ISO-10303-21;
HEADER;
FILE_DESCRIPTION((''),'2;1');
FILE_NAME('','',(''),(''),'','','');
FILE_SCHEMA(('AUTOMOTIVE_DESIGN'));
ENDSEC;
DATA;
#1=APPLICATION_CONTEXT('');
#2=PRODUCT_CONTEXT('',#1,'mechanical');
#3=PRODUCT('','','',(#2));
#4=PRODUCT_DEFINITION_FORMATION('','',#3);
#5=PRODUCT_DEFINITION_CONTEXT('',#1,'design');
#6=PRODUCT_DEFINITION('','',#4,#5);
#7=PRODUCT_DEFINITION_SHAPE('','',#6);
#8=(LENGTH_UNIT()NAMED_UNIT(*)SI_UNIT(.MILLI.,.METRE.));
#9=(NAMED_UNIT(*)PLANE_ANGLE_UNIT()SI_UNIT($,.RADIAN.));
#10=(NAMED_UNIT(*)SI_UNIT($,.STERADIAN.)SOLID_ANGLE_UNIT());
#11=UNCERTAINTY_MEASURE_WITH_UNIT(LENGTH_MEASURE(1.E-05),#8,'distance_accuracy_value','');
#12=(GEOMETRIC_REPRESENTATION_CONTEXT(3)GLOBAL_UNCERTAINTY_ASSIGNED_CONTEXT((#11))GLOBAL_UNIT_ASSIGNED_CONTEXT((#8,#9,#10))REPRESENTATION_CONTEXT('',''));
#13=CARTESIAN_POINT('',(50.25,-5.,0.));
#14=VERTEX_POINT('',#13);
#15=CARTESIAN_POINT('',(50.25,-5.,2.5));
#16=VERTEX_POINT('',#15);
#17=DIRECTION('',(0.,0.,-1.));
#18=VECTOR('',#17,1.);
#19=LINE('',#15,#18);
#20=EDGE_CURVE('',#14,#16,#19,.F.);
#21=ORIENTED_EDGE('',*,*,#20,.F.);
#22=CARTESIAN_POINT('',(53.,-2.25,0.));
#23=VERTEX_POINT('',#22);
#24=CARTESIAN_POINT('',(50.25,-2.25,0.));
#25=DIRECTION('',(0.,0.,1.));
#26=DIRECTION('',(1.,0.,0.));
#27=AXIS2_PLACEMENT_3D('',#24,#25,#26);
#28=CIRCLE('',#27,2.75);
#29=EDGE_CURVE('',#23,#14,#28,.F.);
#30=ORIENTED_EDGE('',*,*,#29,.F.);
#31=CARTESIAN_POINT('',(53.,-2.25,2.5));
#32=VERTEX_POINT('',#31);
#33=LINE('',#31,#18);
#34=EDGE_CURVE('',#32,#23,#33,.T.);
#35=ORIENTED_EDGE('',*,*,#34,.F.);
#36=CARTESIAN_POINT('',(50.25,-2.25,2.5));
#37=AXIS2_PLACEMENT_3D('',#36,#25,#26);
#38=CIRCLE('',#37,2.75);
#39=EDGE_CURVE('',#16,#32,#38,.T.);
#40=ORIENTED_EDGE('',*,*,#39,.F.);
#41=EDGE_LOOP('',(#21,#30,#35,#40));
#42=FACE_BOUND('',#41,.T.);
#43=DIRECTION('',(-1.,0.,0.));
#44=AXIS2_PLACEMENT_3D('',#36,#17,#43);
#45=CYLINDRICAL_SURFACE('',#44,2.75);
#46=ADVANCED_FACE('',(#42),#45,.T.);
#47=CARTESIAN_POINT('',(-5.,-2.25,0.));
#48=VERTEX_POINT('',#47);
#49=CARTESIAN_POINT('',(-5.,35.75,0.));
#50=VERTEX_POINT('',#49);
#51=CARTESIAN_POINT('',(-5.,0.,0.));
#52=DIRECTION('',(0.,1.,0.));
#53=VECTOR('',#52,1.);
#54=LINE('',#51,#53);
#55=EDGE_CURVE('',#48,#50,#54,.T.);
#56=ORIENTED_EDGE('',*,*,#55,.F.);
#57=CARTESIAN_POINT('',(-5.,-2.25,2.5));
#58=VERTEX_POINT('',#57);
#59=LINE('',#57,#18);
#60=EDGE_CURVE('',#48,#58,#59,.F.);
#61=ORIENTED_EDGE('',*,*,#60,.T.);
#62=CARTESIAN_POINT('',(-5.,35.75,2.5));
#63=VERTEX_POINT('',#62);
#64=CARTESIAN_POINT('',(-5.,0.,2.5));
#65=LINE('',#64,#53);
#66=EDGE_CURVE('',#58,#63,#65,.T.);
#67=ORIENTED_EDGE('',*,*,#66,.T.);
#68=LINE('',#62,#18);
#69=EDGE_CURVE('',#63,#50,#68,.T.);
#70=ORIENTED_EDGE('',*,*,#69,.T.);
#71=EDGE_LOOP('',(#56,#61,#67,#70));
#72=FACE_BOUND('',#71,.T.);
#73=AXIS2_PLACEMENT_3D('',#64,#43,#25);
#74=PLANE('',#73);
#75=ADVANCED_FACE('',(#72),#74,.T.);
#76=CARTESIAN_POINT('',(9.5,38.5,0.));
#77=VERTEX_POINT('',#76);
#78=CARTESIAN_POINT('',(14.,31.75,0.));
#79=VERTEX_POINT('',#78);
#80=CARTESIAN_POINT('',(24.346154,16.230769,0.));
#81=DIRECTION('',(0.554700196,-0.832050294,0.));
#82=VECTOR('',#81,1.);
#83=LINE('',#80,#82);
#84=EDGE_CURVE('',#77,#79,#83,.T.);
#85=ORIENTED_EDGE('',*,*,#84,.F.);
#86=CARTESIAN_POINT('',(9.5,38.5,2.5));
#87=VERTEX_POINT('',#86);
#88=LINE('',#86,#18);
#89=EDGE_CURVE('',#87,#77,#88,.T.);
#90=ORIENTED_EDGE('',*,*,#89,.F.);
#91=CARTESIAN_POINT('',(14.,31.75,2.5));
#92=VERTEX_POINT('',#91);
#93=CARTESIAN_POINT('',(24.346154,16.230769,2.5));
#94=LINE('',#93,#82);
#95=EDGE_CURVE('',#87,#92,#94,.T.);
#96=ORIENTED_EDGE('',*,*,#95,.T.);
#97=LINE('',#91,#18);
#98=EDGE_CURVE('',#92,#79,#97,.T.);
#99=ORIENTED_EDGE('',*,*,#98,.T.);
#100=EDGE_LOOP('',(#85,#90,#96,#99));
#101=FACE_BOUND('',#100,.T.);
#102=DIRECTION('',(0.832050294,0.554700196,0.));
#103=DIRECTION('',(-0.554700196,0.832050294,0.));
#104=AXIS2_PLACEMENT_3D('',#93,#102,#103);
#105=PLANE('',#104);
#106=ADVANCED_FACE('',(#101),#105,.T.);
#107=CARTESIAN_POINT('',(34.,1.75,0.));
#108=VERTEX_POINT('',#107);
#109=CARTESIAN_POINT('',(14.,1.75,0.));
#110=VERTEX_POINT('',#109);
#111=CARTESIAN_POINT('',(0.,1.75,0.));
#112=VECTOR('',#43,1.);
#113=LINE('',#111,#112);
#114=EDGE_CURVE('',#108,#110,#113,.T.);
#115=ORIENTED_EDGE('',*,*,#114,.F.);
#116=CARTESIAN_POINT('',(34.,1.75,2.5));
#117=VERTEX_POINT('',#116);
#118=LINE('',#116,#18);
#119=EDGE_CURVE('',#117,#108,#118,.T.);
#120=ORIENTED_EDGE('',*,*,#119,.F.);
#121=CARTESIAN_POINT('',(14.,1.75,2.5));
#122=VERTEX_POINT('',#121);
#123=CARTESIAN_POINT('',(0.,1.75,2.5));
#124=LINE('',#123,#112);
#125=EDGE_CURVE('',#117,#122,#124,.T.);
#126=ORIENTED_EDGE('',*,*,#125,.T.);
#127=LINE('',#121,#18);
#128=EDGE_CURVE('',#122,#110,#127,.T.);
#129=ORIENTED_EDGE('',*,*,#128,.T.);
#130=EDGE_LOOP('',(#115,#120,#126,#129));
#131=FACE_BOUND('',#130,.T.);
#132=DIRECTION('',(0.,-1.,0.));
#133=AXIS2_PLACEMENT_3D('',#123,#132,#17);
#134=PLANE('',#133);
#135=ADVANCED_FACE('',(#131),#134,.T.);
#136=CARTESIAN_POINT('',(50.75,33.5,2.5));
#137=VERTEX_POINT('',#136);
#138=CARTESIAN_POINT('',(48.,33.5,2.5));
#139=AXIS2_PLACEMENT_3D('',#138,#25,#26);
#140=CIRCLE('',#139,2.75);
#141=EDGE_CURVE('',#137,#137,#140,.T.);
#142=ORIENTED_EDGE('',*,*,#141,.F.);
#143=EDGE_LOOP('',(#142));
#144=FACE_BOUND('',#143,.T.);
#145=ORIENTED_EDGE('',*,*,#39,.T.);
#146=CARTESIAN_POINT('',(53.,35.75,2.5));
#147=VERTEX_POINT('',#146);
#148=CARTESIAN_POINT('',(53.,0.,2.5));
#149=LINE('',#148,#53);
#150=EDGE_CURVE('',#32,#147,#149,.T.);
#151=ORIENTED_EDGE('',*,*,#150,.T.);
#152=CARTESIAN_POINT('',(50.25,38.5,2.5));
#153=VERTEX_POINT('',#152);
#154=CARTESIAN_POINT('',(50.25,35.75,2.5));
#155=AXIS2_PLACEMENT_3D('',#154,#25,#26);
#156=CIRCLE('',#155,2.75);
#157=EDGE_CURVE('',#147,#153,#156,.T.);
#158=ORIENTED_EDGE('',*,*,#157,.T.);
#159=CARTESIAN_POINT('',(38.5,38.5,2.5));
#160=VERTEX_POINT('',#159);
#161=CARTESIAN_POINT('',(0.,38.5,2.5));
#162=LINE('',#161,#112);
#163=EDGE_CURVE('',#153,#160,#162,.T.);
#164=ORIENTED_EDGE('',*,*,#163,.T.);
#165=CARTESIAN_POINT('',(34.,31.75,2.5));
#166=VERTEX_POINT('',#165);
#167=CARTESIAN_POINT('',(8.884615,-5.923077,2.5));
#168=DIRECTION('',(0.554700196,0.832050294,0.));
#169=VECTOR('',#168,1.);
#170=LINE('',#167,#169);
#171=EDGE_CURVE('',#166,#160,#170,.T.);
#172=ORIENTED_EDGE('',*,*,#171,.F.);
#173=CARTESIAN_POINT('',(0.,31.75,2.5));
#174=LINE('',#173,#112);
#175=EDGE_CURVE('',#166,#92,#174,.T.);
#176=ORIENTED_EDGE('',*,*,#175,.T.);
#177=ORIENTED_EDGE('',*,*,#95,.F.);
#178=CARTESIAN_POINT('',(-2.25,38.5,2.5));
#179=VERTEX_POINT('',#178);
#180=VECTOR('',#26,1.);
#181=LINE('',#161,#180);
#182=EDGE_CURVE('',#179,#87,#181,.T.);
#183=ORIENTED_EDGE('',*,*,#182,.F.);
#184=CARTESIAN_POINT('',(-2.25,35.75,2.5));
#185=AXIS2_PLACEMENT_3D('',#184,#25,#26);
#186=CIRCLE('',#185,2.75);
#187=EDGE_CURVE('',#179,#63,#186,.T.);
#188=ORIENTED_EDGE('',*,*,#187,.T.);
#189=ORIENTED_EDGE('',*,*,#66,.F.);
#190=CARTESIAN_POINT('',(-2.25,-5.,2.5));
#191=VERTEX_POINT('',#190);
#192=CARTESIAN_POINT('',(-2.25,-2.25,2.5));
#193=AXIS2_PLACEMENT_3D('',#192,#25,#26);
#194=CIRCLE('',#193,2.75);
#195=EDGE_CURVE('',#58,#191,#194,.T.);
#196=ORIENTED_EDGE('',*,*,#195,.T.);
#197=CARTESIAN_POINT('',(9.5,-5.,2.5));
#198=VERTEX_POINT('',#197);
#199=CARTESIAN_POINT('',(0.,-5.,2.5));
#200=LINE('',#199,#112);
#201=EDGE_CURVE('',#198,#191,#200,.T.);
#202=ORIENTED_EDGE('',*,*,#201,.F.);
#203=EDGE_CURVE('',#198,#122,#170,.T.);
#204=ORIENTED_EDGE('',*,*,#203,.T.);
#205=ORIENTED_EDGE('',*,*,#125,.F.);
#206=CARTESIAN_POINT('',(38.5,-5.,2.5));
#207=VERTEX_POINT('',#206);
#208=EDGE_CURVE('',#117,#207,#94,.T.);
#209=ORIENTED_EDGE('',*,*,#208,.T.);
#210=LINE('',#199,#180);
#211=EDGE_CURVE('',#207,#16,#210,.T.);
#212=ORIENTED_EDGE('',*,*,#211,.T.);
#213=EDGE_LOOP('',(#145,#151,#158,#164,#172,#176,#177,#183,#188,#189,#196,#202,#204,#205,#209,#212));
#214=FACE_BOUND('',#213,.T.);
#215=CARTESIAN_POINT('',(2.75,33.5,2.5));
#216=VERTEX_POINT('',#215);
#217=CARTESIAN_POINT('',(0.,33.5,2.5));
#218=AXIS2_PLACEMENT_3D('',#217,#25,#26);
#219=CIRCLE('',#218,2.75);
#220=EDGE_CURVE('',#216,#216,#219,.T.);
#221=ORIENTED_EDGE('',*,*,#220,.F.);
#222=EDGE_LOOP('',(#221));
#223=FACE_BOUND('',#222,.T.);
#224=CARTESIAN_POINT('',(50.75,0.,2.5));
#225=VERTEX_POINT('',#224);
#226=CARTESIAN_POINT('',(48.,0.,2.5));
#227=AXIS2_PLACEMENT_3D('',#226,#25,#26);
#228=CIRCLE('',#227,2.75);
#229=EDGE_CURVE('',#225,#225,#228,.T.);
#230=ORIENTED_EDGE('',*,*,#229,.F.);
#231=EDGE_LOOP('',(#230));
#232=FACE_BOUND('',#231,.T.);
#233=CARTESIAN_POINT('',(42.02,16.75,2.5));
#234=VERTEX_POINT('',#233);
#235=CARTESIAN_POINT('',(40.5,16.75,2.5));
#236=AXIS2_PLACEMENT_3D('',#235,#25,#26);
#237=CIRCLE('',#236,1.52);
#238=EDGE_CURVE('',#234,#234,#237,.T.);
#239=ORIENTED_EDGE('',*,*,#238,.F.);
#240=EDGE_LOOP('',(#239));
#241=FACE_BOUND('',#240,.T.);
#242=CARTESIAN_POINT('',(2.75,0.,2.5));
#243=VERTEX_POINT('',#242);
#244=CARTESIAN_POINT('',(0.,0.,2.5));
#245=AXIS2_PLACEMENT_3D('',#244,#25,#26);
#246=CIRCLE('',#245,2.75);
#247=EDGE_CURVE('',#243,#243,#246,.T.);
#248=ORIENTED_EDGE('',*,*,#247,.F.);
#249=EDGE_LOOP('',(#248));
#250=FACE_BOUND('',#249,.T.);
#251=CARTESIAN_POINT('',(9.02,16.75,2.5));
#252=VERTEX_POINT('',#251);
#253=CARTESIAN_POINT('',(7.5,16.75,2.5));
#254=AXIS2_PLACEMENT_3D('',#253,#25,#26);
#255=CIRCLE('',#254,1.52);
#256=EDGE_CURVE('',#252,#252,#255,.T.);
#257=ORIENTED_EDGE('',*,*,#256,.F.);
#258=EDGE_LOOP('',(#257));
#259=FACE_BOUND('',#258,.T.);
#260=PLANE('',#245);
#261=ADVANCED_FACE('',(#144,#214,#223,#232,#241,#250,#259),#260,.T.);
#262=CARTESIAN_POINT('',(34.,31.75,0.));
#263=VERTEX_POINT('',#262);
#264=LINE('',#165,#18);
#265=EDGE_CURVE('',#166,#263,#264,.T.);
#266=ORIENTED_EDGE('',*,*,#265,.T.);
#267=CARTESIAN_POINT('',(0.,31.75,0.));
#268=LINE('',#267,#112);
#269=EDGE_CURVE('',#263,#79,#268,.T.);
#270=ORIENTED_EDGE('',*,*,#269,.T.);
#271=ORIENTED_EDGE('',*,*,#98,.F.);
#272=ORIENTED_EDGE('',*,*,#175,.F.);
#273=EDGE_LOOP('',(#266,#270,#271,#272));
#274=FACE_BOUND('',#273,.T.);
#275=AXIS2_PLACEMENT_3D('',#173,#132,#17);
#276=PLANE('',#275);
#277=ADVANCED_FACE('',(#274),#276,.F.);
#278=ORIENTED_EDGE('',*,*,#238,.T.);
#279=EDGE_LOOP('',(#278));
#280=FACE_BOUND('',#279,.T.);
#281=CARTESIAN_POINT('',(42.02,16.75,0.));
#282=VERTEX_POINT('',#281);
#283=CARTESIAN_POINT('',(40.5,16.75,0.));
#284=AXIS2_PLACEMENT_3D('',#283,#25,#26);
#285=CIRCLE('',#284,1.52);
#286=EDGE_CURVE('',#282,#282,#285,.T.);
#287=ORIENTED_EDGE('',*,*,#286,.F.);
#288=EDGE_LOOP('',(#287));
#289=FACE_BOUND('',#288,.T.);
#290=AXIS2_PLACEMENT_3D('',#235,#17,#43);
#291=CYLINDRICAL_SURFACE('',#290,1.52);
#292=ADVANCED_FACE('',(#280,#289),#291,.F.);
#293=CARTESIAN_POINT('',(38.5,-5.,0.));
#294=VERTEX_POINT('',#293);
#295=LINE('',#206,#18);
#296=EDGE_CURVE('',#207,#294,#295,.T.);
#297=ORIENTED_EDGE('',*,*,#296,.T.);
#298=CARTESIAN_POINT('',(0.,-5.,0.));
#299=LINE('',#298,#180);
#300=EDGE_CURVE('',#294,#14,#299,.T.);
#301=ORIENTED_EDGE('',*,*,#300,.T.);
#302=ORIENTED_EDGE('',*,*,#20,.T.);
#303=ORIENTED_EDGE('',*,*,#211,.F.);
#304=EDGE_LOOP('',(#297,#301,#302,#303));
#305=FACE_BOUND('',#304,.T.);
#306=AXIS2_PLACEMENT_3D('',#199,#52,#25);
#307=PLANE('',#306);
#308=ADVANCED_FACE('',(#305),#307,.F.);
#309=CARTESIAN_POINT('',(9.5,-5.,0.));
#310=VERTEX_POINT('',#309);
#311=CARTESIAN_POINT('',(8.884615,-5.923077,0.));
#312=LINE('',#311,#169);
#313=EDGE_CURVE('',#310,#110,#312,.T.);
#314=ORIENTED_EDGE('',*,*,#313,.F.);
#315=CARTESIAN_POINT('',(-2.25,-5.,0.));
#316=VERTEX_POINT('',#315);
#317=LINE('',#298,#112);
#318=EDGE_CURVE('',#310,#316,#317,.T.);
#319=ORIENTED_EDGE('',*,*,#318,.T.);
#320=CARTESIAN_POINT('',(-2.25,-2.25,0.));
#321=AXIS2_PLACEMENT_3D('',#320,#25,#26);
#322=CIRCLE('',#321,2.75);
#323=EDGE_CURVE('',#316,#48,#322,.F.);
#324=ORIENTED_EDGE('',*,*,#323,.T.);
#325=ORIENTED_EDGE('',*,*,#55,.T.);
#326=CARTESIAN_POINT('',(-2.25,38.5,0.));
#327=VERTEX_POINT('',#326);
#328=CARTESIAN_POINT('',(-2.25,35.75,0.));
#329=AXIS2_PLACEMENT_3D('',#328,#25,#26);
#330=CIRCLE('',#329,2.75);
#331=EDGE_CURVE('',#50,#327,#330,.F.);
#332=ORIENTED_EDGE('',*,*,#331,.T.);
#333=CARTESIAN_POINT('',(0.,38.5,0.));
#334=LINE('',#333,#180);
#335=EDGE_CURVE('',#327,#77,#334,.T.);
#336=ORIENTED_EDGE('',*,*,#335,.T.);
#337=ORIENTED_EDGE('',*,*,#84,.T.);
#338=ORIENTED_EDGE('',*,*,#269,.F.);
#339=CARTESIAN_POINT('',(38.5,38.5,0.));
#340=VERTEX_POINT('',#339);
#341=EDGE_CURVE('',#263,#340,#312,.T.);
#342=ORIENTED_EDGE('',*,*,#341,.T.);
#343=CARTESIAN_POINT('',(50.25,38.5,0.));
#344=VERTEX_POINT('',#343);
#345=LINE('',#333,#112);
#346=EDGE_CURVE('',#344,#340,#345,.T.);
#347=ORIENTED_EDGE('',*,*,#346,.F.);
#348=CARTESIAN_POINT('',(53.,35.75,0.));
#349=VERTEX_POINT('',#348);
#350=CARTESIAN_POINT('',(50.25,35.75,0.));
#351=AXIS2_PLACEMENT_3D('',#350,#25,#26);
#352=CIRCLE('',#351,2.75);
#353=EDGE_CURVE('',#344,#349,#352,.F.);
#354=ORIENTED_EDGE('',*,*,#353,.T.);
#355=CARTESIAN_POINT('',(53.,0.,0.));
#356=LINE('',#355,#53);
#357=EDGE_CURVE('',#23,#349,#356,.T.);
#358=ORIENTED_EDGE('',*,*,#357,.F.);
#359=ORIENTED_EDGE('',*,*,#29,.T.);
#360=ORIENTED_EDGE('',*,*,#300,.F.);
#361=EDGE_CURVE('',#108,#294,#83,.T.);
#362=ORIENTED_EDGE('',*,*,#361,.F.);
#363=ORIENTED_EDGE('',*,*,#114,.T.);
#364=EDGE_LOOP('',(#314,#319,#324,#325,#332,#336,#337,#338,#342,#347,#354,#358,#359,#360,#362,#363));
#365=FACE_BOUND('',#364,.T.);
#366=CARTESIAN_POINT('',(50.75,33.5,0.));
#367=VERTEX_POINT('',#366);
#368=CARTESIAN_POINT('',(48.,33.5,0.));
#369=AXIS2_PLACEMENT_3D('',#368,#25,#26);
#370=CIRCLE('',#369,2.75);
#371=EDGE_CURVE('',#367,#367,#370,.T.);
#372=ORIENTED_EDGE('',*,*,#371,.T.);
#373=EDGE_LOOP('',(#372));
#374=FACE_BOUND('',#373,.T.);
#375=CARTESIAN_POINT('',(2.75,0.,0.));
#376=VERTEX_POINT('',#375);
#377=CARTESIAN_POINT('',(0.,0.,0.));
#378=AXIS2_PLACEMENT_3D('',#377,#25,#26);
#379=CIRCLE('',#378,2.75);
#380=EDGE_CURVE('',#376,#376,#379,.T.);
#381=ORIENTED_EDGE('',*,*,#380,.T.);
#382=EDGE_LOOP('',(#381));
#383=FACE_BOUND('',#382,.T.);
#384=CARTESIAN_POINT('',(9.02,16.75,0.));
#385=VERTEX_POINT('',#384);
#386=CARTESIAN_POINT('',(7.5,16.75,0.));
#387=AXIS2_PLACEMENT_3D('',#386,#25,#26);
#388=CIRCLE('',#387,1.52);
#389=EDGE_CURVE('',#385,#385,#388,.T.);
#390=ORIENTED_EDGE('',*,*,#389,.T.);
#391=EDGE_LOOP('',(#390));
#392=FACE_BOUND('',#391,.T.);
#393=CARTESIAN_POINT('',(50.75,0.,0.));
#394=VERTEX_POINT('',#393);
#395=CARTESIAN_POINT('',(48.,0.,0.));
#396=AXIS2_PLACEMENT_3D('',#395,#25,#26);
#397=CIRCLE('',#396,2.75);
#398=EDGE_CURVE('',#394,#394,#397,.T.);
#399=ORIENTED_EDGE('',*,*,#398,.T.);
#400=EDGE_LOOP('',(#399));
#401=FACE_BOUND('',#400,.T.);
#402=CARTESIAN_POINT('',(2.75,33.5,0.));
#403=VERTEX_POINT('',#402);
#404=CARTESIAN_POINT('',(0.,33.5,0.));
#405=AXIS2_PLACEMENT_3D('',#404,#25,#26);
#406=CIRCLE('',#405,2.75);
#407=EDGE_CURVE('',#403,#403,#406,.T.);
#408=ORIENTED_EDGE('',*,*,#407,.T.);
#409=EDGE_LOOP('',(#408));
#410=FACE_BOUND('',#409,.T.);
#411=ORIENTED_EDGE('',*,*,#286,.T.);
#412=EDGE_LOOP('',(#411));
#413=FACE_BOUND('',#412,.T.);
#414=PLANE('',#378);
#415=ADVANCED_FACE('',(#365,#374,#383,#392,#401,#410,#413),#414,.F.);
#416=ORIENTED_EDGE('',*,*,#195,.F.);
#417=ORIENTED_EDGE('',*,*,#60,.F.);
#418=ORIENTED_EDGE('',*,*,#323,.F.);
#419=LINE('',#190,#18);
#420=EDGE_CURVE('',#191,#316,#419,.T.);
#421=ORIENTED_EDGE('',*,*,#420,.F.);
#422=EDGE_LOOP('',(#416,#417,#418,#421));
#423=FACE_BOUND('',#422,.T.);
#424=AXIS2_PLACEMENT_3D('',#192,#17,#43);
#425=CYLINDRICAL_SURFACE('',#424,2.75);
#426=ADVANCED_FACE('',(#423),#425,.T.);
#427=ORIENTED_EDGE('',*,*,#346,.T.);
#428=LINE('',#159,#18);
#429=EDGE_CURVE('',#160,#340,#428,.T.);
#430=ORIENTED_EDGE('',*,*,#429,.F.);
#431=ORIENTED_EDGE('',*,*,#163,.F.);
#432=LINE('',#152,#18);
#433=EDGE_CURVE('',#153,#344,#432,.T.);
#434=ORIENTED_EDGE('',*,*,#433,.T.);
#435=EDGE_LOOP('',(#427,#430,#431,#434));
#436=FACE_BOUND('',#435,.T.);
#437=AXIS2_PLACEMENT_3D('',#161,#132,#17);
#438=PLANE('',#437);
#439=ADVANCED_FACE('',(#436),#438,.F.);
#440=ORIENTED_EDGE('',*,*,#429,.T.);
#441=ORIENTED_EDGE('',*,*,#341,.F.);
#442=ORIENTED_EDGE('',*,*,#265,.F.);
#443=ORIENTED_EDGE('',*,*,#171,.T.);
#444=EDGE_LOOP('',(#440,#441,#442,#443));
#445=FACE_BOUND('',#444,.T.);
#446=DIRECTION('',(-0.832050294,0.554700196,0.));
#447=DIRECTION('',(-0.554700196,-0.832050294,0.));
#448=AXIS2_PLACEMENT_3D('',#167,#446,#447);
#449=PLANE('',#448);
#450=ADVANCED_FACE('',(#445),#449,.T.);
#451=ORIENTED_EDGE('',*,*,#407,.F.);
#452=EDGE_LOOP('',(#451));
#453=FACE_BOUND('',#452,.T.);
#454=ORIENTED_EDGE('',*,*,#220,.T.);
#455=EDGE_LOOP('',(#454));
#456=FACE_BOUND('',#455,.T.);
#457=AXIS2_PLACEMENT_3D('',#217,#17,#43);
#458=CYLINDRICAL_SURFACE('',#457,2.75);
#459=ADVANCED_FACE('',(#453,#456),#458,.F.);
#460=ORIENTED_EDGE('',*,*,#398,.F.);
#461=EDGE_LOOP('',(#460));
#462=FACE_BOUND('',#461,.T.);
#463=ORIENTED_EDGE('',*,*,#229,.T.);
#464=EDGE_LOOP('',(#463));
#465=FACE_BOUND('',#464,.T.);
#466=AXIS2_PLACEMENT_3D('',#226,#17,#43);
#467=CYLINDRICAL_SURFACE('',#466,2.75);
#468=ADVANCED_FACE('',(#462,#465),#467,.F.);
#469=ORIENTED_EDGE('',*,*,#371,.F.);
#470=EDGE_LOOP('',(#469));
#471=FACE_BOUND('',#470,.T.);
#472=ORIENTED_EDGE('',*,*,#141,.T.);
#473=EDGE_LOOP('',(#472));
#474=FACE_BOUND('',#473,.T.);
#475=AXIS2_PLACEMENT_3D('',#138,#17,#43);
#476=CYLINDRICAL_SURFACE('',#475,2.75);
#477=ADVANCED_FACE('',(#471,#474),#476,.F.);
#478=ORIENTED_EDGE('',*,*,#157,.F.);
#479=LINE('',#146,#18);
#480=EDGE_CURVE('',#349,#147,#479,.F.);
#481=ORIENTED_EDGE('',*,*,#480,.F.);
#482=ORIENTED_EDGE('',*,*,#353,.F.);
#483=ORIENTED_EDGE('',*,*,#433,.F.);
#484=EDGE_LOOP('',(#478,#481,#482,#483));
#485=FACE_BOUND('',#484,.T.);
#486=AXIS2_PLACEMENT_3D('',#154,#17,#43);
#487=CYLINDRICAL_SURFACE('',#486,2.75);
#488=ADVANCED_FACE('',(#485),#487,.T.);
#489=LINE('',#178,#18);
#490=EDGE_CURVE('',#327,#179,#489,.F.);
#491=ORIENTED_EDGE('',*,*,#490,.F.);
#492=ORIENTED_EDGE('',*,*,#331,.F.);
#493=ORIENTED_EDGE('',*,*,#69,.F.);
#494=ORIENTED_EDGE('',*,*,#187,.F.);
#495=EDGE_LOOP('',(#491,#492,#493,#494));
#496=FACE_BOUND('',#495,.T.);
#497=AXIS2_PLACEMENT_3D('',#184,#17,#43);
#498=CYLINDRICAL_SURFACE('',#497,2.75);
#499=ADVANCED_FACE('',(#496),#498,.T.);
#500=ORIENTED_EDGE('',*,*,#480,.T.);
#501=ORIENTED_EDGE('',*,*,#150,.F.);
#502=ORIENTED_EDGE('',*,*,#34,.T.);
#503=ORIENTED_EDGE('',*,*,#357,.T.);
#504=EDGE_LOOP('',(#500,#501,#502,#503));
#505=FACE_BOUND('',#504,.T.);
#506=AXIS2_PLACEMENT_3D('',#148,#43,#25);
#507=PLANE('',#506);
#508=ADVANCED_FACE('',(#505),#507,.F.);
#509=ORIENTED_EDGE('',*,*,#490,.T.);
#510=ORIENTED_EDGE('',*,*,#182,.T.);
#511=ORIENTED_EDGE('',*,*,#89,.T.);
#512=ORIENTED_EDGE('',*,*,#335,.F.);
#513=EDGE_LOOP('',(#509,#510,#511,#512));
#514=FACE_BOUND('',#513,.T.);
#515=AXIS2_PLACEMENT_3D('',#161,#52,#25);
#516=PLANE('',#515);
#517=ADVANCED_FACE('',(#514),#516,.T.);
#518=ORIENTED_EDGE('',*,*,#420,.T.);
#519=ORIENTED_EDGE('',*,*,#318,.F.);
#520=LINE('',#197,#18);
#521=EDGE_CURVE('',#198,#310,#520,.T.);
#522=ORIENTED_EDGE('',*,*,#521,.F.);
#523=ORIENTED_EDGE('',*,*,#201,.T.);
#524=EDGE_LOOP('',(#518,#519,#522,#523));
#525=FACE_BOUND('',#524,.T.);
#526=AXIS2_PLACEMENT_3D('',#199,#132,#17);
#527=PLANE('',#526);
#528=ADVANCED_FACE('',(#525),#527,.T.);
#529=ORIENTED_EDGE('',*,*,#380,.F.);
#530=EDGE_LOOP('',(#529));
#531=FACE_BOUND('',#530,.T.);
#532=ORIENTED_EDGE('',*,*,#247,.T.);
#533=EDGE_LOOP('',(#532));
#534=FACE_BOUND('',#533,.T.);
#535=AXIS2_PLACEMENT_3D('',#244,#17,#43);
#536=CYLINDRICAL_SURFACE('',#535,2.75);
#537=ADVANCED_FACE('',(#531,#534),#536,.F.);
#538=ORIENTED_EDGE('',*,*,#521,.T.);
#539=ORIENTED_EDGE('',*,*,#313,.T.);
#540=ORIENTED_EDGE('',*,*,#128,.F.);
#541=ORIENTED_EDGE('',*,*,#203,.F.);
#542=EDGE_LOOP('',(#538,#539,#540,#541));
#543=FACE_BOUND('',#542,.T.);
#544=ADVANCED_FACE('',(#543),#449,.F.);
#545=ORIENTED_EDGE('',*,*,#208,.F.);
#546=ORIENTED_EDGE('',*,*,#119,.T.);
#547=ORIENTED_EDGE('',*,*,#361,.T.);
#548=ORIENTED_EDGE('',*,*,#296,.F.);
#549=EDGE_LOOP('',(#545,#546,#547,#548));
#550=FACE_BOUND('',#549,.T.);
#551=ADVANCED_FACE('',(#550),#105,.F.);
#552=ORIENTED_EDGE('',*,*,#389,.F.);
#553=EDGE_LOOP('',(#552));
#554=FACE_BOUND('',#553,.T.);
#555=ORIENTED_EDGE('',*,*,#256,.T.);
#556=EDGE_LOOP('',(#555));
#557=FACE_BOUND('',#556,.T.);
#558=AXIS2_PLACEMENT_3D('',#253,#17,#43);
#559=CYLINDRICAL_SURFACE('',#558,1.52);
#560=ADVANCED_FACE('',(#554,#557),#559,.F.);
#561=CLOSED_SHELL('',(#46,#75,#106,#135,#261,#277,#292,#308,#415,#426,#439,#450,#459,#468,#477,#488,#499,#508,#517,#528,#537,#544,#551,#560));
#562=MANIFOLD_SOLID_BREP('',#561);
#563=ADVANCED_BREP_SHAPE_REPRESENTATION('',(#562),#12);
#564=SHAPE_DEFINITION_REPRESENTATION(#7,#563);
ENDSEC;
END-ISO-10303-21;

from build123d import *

# Parameters (mm, degrees)
SKETCH1_R           = 2.75
SKETCH1_R_2         = 1.52
BOSS_EXTRUDE1_DEPTH = 2.5
FILLET1_R           = 2.75


with BuildPart() as part:
    # Sketch1 → Boss-Extrude1 (new body)
    with BuildSketch(Plane.XY):
        Polygon((14, 1.75), (34, 1.75), (38.5, -5), (53, -5), (53, 38.5), (38.5, 38.5), (34, 31.75), (14, 31.75), (9.5, 38.5), (-5, 38.5), (-5, -5), (9.5, -5), align=None)
        with Locations((0, 33.5)):
            Circle(SKETCH1_R, mode=Mode.SUBTRACT)
        Circle(SKETCH1_R, mode=Mode.SUBTRACT)
        with Locations((48, 0)):
            Circle(SKETCH1_R, mode=Mode.SUBTRACT)
        with Locations((40.5, 16.75)):
            Circle(SKETCH1_R_2, mode=Mode.SUBTRACT)
        with Locations((7.5, 16.75)):
            Circle(SKETCH1_R_2, mode=Mode.SUBTRACT)
        with Locations((48, 33.5)):
            Circle(SKETCH1_R, mode=Mode.SUBTRACT)
    extrude(amount=BOSS_EXTRUDE1_DEPTH)

    # Fillet1
    fillet1_edges = [part.edges().sort_by_distance(p)[0] for p in [
        (53, -5, 1.25),
        (-5, -5, 1.25),
        (-5, 38.5, 1.25),
        (53, 38.5, 1.25),
    ]]
    fillet(fillet1_edges, radius=FILLET1_R)


solid = part.part
